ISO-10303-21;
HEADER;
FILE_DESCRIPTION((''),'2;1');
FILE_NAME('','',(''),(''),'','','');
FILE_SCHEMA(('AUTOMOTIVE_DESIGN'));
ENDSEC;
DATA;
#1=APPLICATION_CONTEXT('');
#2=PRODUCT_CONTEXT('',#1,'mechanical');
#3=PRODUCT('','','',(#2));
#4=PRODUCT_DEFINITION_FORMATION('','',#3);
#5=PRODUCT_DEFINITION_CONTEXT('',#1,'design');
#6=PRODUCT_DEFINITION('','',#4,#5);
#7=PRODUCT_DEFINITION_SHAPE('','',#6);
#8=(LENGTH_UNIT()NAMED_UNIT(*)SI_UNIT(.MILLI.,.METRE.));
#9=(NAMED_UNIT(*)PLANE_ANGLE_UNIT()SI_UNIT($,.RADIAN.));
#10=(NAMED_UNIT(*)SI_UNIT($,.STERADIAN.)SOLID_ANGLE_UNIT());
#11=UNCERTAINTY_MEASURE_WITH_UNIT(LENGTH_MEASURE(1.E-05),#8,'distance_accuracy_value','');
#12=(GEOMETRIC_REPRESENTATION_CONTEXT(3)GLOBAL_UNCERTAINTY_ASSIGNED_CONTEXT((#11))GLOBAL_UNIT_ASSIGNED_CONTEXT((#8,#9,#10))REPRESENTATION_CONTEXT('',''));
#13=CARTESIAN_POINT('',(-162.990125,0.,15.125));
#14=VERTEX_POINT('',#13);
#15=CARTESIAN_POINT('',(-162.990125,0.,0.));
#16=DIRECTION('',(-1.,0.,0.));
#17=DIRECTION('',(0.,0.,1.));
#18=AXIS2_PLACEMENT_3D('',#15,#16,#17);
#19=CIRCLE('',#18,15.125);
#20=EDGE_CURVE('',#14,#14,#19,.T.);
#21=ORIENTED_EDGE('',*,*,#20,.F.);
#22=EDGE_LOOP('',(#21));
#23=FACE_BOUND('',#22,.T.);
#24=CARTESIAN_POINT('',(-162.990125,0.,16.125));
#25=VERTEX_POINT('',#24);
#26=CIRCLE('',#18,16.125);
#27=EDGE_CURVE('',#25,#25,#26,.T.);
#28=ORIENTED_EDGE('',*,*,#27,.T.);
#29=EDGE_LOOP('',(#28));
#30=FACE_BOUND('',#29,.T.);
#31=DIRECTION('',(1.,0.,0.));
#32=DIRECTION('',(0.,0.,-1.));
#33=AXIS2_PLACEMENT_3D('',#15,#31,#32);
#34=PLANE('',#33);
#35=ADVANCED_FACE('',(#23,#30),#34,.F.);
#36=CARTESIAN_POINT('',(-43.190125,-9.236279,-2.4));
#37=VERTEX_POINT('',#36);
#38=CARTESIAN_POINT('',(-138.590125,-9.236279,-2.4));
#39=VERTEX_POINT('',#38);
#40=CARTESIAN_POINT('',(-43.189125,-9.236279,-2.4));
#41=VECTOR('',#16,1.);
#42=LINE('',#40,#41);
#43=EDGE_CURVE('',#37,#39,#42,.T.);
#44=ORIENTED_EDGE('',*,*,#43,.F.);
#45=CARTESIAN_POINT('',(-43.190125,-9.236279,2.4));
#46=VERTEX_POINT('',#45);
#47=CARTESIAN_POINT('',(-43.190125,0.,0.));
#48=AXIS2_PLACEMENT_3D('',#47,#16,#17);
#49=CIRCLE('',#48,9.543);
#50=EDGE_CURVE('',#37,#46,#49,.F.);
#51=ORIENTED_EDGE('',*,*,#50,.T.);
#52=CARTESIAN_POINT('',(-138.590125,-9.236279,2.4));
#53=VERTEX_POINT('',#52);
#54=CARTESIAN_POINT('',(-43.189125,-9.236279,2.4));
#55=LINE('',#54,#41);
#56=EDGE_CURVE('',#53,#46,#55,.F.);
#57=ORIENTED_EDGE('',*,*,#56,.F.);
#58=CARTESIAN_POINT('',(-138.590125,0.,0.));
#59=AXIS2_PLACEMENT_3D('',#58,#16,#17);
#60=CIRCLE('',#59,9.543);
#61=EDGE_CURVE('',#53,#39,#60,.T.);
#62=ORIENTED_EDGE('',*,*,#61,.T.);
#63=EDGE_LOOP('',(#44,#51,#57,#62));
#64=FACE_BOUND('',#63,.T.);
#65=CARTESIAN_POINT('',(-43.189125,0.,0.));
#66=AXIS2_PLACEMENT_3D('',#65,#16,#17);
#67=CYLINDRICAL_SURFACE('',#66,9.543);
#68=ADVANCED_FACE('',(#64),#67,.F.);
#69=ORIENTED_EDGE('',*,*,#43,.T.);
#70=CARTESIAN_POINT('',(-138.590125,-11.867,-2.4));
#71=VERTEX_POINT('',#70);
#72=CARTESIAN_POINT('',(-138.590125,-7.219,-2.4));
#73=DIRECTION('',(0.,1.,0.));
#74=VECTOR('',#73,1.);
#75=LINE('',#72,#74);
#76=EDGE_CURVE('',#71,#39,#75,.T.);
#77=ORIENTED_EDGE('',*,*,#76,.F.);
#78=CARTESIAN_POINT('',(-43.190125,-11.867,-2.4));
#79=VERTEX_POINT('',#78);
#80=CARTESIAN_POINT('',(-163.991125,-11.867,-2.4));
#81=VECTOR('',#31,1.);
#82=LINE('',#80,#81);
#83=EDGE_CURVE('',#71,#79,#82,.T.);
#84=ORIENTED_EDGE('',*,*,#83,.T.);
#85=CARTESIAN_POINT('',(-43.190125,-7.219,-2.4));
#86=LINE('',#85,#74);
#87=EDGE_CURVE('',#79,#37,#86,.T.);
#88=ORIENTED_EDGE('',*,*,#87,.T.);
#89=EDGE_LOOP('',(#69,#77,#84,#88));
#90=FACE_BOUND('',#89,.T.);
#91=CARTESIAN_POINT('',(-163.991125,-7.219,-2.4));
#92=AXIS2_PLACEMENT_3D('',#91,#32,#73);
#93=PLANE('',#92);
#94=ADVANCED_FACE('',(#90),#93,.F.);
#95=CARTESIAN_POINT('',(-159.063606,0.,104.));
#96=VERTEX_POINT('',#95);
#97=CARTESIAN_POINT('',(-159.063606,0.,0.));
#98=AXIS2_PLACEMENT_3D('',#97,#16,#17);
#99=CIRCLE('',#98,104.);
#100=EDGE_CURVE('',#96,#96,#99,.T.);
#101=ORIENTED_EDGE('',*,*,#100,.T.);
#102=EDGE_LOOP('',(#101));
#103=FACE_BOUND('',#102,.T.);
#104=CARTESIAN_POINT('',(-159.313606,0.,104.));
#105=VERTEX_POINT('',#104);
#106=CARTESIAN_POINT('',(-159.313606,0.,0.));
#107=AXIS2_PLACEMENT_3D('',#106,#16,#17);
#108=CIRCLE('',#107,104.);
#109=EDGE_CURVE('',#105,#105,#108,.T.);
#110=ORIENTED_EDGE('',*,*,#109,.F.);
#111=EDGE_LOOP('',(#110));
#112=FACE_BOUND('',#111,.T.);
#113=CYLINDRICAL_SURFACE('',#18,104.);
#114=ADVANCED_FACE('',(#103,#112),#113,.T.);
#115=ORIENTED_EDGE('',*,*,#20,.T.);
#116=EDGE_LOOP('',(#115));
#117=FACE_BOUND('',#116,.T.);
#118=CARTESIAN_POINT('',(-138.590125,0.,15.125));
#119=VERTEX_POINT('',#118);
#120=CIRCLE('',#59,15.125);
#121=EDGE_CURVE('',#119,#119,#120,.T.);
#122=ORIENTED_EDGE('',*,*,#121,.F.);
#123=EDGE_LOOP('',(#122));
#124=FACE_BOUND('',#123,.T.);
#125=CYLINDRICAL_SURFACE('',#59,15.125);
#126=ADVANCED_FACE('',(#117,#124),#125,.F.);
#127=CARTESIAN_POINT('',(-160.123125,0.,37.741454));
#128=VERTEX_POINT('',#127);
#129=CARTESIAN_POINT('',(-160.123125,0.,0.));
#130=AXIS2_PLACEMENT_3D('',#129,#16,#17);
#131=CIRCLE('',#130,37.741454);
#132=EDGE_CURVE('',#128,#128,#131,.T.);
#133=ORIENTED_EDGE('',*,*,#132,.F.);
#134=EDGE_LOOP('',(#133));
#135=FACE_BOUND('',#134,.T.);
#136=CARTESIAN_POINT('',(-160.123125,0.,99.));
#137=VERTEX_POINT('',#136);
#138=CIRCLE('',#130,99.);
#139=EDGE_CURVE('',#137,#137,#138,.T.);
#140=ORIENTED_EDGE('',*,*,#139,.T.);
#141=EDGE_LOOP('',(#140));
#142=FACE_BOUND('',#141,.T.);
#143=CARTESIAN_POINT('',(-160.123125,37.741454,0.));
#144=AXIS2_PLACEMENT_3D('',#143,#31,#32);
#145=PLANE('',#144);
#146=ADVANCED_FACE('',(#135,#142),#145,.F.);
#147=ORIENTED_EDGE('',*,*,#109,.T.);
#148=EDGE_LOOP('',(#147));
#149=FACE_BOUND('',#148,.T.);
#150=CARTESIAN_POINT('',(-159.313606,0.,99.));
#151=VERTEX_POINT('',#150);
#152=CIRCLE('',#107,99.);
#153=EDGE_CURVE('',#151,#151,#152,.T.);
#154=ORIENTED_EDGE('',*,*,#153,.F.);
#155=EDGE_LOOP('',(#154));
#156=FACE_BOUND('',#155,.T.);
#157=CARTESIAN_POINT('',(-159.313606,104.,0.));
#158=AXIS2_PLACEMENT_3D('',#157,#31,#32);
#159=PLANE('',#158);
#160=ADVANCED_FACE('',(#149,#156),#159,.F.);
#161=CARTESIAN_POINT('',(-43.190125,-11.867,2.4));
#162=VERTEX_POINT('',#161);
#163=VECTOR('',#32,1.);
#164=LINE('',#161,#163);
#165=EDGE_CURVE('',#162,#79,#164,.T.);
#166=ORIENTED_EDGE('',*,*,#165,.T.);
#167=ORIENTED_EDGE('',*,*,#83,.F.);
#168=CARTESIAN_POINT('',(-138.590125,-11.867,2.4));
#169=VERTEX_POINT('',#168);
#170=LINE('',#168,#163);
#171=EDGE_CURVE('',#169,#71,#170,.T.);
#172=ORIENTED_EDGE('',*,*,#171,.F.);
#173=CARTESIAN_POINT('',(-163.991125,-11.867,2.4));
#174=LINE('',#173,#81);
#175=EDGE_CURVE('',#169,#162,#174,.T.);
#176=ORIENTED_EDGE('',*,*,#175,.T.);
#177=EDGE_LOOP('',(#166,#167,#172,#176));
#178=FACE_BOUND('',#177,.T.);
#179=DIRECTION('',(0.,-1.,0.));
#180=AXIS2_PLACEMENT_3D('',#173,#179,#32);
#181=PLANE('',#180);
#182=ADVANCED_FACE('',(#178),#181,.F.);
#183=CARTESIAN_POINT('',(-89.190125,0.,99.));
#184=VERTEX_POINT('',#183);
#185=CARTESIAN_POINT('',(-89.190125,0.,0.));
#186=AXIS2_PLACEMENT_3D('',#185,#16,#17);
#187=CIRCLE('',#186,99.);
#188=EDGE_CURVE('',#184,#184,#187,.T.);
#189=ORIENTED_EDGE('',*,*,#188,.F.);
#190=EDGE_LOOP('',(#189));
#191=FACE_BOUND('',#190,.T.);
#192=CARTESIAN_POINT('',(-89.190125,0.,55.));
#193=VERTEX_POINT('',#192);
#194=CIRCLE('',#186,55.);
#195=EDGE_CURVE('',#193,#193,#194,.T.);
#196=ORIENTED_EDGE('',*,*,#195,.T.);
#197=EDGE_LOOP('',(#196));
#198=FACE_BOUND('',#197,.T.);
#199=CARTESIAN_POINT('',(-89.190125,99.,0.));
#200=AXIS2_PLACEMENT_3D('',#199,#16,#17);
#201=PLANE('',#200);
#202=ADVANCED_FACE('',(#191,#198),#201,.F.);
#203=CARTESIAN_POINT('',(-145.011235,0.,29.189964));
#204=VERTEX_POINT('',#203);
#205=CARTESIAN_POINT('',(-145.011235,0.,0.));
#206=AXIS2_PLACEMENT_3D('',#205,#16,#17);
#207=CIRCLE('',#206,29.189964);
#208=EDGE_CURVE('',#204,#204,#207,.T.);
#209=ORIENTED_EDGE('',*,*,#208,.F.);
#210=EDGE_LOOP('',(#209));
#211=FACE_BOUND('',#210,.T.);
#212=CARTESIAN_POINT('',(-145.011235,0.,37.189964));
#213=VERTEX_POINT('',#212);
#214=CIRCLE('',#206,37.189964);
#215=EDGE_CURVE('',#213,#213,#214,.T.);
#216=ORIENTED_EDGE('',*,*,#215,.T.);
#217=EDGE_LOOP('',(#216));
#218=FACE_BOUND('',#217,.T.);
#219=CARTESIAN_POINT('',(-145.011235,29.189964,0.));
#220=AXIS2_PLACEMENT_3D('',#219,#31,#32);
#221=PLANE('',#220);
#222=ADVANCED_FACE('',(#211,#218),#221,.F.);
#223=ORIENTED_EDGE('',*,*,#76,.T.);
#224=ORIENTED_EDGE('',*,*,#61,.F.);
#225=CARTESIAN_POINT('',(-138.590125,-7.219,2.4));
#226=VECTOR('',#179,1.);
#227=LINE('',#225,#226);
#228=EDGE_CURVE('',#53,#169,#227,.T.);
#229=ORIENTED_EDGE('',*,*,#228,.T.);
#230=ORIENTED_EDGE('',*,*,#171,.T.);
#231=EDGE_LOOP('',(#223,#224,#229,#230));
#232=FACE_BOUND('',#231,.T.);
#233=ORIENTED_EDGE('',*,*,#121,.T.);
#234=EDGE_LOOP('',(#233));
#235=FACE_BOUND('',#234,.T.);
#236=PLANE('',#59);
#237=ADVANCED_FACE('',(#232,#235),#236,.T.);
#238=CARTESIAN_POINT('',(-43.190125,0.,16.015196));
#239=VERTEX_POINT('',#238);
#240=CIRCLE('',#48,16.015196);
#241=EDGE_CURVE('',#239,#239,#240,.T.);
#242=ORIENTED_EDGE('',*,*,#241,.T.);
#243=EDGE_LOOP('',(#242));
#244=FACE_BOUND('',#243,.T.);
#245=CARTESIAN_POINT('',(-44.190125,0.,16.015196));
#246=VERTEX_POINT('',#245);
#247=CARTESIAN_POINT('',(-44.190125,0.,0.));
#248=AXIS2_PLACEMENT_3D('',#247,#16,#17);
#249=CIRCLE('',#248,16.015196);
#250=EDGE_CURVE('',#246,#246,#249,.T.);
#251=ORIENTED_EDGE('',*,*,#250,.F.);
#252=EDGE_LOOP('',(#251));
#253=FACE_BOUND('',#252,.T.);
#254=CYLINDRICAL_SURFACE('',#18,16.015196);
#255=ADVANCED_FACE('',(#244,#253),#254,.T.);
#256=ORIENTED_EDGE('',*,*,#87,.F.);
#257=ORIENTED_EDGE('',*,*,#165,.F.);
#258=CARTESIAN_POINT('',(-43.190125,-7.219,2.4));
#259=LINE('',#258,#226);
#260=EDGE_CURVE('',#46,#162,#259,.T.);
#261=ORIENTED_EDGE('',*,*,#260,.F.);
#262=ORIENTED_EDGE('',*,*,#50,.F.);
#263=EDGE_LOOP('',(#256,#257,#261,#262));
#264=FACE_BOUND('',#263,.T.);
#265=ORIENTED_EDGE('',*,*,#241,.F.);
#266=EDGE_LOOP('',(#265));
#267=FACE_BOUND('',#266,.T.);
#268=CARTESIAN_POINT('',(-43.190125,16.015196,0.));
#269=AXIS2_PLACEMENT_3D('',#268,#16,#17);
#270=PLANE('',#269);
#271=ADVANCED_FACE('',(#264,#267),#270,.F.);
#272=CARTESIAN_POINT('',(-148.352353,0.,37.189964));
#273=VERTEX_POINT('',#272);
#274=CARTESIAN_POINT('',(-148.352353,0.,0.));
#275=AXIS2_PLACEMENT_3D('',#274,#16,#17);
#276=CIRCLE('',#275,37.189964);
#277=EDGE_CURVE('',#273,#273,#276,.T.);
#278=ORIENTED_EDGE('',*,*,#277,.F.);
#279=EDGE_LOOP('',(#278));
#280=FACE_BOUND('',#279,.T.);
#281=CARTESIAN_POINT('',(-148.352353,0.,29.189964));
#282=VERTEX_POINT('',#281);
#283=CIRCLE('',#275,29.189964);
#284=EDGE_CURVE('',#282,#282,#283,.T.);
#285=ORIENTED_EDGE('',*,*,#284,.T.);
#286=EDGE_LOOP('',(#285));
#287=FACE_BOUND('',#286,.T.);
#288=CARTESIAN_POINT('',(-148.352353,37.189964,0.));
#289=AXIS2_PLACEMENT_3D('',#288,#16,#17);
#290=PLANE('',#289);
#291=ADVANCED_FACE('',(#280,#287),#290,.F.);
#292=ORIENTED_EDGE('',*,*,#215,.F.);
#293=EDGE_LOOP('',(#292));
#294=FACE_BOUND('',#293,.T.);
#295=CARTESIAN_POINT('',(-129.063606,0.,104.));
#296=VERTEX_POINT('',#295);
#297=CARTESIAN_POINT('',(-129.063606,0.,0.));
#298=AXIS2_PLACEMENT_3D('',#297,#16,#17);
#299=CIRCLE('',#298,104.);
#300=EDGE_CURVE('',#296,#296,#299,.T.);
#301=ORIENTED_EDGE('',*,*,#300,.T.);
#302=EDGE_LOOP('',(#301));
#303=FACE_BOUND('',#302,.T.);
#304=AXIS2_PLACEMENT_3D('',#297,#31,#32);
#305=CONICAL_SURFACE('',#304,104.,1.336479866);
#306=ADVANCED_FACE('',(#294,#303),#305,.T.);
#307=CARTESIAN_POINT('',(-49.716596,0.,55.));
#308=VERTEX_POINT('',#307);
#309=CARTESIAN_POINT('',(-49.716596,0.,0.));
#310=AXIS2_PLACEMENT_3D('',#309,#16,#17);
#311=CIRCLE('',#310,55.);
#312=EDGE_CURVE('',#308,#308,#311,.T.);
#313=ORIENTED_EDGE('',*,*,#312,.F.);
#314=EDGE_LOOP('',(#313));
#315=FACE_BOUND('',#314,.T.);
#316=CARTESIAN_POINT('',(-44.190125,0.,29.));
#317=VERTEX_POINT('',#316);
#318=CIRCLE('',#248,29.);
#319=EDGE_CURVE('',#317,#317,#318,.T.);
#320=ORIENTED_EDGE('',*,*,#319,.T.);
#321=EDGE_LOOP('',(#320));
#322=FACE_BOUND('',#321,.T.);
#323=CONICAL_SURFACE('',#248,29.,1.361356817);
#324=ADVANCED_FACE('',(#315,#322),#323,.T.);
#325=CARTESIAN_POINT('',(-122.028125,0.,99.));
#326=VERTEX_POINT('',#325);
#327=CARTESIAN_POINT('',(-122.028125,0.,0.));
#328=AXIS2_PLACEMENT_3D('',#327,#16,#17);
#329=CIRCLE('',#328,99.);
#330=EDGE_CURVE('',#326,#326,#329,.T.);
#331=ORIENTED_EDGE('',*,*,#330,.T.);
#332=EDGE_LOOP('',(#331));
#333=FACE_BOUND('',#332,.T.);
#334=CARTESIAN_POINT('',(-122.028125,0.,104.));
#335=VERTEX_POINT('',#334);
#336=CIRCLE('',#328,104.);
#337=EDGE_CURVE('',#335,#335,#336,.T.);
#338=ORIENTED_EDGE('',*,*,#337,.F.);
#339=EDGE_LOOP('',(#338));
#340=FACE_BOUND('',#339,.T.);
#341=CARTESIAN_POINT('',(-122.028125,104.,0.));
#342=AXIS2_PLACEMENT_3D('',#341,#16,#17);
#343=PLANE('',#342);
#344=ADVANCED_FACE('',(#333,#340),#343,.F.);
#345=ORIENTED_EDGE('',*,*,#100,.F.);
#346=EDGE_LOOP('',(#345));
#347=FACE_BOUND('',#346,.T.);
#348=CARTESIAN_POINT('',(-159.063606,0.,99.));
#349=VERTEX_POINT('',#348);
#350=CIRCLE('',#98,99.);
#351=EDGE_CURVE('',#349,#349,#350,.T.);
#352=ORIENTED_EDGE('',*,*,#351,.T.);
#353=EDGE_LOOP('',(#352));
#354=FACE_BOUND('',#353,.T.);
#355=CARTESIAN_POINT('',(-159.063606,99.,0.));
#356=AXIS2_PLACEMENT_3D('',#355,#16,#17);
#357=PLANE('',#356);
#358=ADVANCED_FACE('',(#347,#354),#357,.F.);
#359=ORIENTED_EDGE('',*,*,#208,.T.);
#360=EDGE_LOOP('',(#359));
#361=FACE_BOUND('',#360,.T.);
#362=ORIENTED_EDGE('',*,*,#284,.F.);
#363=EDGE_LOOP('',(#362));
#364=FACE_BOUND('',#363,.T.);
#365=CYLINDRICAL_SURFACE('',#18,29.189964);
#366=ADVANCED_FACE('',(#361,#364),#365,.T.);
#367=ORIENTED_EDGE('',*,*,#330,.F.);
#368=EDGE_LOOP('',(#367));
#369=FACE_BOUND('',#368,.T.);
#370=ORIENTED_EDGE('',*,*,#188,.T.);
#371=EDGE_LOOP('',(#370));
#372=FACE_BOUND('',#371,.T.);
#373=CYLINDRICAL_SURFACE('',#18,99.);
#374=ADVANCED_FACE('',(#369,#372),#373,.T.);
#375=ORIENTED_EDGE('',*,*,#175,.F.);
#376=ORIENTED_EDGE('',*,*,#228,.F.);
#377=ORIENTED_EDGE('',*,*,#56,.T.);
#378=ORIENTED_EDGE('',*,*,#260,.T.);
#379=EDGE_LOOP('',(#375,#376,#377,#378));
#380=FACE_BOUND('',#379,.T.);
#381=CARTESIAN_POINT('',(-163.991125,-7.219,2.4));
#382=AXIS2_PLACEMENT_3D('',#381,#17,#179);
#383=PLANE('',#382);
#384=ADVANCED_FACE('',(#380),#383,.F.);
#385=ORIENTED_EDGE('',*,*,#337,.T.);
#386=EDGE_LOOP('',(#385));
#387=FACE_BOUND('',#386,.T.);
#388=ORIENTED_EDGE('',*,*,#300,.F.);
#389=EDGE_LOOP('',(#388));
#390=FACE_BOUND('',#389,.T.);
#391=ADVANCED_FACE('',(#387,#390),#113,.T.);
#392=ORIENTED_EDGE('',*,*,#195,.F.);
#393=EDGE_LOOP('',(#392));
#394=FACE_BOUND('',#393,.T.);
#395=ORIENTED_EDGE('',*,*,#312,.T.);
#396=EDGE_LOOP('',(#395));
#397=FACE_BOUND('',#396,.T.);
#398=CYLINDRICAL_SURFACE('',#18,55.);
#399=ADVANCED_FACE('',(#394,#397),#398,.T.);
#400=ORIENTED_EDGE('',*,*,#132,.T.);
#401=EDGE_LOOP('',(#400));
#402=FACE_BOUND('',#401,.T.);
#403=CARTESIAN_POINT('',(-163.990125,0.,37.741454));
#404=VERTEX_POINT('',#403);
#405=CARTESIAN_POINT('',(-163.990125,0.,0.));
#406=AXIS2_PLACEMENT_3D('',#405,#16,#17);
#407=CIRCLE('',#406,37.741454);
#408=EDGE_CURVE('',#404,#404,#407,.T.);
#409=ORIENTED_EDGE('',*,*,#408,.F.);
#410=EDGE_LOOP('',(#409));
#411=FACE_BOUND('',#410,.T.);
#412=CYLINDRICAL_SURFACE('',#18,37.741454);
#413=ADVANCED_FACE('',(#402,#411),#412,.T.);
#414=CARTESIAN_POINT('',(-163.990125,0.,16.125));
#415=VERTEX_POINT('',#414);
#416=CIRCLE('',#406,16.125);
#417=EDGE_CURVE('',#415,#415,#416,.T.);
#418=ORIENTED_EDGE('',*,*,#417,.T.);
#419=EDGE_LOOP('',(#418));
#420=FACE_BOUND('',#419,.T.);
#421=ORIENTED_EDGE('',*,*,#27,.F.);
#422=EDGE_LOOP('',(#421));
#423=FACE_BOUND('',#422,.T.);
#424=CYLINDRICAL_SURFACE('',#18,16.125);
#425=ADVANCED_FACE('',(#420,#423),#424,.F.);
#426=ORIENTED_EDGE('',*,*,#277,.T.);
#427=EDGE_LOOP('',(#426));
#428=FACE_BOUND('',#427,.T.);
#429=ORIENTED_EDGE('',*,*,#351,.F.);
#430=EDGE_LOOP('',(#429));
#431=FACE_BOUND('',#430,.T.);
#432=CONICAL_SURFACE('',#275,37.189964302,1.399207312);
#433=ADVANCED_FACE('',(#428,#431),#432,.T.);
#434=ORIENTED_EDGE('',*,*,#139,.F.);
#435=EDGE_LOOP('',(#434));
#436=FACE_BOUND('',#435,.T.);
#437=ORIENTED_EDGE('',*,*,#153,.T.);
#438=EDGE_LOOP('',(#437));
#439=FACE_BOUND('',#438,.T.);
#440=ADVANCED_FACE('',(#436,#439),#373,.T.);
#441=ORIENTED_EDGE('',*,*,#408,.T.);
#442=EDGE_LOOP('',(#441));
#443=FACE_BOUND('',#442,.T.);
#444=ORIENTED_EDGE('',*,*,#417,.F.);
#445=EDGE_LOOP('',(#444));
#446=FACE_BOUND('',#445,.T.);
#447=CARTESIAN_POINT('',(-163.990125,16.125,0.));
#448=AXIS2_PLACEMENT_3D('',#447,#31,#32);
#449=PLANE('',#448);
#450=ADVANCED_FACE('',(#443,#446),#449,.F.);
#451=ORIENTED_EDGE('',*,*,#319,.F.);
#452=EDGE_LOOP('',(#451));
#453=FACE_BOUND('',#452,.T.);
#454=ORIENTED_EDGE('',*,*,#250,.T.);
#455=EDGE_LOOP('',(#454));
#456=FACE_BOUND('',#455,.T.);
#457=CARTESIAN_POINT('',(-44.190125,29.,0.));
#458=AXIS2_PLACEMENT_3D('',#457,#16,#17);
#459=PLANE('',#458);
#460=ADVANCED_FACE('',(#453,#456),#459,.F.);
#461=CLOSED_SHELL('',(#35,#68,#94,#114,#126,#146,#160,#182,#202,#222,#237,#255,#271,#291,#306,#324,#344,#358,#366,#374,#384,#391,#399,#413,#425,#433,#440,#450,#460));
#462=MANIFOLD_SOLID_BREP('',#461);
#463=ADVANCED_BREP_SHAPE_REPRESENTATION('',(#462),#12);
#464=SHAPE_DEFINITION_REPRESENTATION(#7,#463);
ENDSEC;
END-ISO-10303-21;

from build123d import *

# Parameters (mm, degrees)
SKETCH2_R          = 15.125
CUT_EXTRUDE5_DEPTH = 24.4
CUT_EXTRUDE6_REACH = 177.309
SKETCH3_R          = 9.543
CUT_EXTRUDE7_REACH = 192.328
SKETCH4_W          = 4.8
SKETCH4_H          = 4.648


with BuildPart() as part:
    # Sketch1 → Revolve1 (revolve)
    with BuildSketch(Plane.XY, mode=Mode.PRIVATE) as revolve1_sk:
        Polygon((-162.990125159, 0), (-162.990125159, 16.125), (-163.990125159, 16.125), (-163.990125159, 37.741454009), (-160.123125159, 37.741454009), (-160.123125159, 99), (-159.313606376, 99), (-159.313606376, 104), (-159.063606376, 104), (-159.063606376, 99), (-148.352353258, 37.189964302), (-148.352353258, 29.189964302), (-145.01123533, 29.189964302), (-145.01123533, 37.189964302), (-129.063606376, 104), (-122.028125159, 104), (-122.028125159, 99), (-89.190125159, 99), (-89.190125159, 55), (-49.716595762, 55), (-44.190125159, 29), (-44.190125159, 16.015195652), (-43.190125159, 16.015195652), (-43.190125159, 0), align=None)
    revolve(revolve1_sk.sketch.rotate(Axis((-162.990125159, 0, 0), (1, 0, 0)), 90), axis=Axis((-162.990125159, 0, 0), (1, 0, 0)))

    # Sketch2 → Cut-Extrude5 (cut)
    with BuildSketch(Plane.ZY.offset(162.990125159)):
        Circle(SKETCH2_R)
    extrude(amount=-CUT_EXTRUDE5_DEPTH, mode=Mode.SUBTRACT)

    # Sketch3 → Cut-Extrude6 (cut, up to next)
    with BuildSketch(Plane.ZY.offset(138.590125159), mode=Mode.PRIVATE) as cut_extrude6_sk1:
        Circle(SKETCH3_R)
    cut_extrude6_tool1 = extrude(cut_extrude6_sk1.sketch, amount=-CUT_EXTRUDE6_REACH, mode=Mode.PRIVATE) & part.part
    add(cut_extrude6_tool1.solids().sort_by_distance((-138.590125, 0, 0))[0], mode=Mode.SUBTRACT)

    # Sketch4 → Cut-Extrude7 (cut, up to next)
    with BuildSketch(Plane(origin=(-43.190125159, 0, 0), x_dir=(0, 0, -1), z_dir=(1, 0, 0)), mode=Mode.PRIVATE) as cut_extrude7_sk1:
        with Locations((0, -9.543)):
            Rectangle(SKETCH4_W, SKETCH4_H)
    cut_extrude7_tool1 = extrude(cut_extrude7_sk1.sketch, amount=-CUT_EXTRUDE7_REACH, mode=Mode.PRIVATE) & part.part
    add(cut_extrude7_tool1.solids().sort_by_distance((-43.190125, -9.543, 0))[0], mode=Mode.SUBTRACT)


solid = part.part
